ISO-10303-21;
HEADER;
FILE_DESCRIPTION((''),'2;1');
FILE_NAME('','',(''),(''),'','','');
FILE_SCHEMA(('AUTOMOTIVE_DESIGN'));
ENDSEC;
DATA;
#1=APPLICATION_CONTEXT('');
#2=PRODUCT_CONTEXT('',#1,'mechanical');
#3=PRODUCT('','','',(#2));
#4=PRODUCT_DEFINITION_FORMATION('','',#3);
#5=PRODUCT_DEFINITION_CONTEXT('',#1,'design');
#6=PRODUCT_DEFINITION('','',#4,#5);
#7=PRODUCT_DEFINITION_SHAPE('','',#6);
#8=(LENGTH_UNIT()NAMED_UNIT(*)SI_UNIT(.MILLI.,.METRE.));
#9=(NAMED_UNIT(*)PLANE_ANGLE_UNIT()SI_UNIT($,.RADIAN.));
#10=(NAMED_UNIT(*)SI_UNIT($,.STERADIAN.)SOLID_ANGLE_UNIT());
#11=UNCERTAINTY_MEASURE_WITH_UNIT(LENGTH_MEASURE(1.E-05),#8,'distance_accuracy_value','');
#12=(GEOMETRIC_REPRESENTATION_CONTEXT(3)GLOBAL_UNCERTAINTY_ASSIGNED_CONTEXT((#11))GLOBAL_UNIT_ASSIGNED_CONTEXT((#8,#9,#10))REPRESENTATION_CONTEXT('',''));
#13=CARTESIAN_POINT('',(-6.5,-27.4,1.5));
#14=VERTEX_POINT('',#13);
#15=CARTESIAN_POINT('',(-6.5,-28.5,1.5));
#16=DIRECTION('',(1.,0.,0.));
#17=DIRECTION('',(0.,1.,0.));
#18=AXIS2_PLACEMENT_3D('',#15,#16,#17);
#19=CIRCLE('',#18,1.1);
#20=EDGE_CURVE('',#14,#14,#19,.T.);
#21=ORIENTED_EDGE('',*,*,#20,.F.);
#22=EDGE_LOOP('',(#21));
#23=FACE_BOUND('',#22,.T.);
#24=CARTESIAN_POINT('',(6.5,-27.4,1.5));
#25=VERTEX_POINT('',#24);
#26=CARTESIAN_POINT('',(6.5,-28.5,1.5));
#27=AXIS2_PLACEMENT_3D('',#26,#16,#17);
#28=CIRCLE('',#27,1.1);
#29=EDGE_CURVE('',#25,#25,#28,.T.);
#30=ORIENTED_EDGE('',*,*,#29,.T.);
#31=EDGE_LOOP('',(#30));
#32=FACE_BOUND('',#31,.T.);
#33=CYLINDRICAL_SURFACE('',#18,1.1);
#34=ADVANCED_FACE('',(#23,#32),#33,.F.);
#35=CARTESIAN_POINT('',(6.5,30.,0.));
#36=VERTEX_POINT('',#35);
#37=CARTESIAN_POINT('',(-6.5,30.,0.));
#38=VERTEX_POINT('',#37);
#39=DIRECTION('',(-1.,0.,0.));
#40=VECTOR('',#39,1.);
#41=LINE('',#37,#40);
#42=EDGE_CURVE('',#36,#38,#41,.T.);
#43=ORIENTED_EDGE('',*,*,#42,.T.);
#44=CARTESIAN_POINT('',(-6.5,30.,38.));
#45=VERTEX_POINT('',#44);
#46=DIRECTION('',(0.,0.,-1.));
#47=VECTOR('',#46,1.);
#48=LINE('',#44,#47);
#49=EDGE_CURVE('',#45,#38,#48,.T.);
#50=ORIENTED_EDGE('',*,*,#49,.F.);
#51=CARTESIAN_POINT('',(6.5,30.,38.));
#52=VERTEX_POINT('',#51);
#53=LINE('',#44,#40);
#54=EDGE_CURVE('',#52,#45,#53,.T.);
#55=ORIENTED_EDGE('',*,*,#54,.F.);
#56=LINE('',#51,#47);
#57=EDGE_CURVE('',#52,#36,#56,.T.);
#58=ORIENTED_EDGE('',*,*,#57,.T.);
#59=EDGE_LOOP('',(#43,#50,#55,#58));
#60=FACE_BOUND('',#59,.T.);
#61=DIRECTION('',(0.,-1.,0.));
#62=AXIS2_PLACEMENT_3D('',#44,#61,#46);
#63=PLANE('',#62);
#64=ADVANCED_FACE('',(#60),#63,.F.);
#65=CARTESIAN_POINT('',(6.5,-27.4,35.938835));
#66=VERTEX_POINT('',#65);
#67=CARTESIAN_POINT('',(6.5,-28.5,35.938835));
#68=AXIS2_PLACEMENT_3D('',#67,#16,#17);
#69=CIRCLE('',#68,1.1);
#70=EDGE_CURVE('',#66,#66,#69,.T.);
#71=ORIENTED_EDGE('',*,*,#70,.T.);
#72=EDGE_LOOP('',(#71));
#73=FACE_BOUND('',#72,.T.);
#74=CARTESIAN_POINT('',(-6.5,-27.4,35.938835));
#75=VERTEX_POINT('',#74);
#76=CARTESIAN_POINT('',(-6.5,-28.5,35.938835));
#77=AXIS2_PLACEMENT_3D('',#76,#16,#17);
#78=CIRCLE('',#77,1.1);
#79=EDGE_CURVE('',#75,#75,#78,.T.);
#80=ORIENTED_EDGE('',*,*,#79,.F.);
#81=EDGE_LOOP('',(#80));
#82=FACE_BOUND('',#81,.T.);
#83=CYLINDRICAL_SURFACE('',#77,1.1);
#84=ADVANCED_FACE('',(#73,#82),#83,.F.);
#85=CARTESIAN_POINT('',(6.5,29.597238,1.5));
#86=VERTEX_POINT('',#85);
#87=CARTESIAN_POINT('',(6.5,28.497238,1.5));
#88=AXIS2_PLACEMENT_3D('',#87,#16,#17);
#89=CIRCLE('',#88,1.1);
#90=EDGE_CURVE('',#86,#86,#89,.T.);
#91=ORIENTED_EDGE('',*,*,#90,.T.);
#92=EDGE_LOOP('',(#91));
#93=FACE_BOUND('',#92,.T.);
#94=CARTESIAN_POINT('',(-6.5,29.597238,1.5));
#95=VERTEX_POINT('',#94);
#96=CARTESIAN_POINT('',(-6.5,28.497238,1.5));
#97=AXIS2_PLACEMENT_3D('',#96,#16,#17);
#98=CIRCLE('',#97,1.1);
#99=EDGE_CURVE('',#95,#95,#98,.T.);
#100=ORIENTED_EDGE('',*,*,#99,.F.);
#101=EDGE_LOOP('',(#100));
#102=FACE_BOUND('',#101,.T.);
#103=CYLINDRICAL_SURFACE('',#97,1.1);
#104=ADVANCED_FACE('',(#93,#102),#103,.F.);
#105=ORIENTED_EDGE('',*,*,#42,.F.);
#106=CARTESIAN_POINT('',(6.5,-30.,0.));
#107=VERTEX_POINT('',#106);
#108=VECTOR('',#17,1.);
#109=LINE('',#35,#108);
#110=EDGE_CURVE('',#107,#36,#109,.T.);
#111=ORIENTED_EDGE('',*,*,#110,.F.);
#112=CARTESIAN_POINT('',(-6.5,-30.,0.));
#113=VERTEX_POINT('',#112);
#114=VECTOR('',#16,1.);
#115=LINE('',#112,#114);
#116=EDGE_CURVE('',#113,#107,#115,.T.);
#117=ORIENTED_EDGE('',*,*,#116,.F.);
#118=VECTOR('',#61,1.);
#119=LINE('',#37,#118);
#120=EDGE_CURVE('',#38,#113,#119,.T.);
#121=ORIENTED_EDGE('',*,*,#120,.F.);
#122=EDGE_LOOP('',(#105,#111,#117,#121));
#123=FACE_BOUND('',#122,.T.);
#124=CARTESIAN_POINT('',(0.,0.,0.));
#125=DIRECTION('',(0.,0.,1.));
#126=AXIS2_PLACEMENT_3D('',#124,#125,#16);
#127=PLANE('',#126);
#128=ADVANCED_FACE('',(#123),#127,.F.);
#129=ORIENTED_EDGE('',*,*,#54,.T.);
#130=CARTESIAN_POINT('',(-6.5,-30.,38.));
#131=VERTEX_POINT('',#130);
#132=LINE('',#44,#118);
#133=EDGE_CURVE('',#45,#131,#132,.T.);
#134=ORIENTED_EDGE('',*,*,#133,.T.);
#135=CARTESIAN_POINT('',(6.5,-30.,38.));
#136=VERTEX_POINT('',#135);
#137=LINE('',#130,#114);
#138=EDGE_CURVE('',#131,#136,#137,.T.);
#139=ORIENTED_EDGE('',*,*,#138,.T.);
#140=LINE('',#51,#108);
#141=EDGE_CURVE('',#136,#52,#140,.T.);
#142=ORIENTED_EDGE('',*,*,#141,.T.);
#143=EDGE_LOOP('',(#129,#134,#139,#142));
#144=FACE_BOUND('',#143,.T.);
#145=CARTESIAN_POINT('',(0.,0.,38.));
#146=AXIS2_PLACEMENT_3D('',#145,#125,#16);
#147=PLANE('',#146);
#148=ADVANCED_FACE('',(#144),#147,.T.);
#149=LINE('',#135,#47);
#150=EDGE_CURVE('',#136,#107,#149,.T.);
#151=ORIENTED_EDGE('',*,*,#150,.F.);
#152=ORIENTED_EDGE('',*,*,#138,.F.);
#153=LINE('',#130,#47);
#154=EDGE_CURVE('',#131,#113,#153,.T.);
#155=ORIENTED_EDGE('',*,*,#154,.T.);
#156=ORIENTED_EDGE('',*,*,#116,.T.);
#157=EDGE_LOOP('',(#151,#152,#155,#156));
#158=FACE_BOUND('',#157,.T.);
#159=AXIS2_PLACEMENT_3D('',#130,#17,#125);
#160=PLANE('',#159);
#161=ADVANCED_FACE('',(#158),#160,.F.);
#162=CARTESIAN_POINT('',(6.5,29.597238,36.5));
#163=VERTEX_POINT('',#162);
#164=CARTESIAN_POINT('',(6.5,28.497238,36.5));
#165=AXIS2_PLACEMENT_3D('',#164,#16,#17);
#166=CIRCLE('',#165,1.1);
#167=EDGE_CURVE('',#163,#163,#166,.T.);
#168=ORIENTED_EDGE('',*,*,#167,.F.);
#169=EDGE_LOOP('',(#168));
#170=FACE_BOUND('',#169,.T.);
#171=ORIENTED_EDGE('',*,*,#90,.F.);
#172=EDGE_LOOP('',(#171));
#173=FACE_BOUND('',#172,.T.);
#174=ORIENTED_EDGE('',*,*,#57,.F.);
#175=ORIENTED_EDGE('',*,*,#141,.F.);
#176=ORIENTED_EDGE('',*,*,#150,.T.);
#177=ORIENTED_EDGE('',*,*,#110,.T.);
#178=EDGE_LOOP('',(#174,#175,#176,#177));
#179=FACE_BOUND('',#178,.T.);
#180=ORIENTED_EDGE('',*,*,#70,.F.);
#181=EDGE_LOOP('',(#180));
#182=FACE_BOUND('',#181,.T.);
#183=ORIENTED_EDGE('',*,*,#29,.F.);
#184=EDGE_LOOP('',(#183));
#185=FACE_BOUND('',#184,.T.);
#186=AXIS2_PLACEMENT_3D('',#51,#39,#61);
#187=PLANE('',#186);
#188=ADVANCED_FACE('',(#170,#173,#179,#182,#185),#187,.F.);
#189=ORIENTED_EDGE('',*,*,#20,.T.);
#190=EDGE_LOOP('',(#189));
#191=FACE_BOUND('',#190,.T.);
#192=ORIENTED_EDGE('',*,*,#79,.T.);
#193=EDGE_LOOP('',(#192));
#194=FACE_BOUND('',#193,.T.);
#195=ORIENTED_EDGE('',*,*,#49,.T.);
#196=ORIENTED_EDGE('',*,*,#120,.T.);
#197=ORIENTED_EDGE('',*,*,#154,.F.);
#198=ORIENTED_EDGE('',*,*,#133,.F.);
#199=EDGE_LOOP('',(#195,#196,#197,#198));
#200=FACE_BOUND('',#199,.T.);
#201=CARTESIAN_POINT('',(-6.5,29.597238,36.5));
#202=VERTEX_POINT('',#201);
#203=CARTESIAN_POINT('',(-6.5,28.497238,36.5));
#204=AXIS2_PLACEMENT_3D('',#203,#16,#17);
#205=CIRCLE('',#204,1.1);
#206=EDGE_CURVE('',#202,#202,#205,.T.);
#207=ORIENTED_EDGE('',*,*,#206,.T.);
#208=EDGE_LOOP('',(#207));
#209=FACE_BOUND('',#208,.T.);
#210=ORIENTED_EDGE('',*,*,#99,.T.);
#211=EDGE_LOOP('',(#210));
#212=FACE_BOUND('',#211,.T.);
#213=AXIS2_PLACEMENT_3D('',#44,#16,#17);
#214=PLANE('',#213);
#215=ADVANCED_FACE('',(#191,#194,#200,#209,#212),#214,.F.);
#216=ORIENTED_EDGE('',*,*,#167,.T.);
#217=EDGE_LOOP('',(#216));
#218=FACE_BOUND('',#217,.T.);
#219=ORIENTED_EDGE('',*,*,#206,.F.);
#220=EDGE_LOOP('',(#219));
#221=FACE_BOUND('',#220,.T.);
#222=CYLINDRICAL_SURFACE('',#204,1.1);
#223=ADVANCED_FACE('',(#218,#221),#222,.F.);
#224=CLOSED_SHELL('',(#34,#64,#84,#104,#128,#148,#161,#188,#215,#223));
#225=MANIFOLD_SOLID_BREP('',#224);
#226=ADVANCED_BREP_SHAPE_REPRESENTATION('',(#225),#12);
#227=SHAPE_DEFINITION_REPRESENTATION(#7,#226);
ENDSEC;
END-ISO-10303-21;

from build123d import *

# Parameters (mm, degrees)
SKETCH1_W           = 13
SKETCH1_H           = 60
BOSS_EXTRUDE1_DEPTH = 38
SKETCH2_R           = 1.1
CUT_EXTRUDE1_DEPTH  = 14


with BuildPart() as part:
    # Sketch1 → Boss-Extrude1 (new body)
    with BuildSketch(Plane.XY):
        Rectangle(SKETCH1_W, SKETCH1_H)
    extrude(amount=BOSS_EXTRUDE1_DEPTH)

    # Sketch2 → Cut-Extrude1 (cut, through all)
    with BuildSketch(Plane(origin=(6.5, 0, 0), x_dir=(0, 0, -1), z_dir=(1, 0, 0))):
        with Locations((-1.5, 28.497237598)):
            Circle(SKETCH2_R)
        with Locations((-36.5, 28.497237598)):
            Circle(SKETCH2_R)
        with Locations((-35.938834987, -28.5)):
            Circle(SKETCH2_R)
        with Locations((-1.5, -28.5)):
            Circle(SKETCH2_R)
    extrude(amount=-CUT_EXTRUDE1_DEPTH, mode=Mode.SUBTRACT)


solid = part.part
